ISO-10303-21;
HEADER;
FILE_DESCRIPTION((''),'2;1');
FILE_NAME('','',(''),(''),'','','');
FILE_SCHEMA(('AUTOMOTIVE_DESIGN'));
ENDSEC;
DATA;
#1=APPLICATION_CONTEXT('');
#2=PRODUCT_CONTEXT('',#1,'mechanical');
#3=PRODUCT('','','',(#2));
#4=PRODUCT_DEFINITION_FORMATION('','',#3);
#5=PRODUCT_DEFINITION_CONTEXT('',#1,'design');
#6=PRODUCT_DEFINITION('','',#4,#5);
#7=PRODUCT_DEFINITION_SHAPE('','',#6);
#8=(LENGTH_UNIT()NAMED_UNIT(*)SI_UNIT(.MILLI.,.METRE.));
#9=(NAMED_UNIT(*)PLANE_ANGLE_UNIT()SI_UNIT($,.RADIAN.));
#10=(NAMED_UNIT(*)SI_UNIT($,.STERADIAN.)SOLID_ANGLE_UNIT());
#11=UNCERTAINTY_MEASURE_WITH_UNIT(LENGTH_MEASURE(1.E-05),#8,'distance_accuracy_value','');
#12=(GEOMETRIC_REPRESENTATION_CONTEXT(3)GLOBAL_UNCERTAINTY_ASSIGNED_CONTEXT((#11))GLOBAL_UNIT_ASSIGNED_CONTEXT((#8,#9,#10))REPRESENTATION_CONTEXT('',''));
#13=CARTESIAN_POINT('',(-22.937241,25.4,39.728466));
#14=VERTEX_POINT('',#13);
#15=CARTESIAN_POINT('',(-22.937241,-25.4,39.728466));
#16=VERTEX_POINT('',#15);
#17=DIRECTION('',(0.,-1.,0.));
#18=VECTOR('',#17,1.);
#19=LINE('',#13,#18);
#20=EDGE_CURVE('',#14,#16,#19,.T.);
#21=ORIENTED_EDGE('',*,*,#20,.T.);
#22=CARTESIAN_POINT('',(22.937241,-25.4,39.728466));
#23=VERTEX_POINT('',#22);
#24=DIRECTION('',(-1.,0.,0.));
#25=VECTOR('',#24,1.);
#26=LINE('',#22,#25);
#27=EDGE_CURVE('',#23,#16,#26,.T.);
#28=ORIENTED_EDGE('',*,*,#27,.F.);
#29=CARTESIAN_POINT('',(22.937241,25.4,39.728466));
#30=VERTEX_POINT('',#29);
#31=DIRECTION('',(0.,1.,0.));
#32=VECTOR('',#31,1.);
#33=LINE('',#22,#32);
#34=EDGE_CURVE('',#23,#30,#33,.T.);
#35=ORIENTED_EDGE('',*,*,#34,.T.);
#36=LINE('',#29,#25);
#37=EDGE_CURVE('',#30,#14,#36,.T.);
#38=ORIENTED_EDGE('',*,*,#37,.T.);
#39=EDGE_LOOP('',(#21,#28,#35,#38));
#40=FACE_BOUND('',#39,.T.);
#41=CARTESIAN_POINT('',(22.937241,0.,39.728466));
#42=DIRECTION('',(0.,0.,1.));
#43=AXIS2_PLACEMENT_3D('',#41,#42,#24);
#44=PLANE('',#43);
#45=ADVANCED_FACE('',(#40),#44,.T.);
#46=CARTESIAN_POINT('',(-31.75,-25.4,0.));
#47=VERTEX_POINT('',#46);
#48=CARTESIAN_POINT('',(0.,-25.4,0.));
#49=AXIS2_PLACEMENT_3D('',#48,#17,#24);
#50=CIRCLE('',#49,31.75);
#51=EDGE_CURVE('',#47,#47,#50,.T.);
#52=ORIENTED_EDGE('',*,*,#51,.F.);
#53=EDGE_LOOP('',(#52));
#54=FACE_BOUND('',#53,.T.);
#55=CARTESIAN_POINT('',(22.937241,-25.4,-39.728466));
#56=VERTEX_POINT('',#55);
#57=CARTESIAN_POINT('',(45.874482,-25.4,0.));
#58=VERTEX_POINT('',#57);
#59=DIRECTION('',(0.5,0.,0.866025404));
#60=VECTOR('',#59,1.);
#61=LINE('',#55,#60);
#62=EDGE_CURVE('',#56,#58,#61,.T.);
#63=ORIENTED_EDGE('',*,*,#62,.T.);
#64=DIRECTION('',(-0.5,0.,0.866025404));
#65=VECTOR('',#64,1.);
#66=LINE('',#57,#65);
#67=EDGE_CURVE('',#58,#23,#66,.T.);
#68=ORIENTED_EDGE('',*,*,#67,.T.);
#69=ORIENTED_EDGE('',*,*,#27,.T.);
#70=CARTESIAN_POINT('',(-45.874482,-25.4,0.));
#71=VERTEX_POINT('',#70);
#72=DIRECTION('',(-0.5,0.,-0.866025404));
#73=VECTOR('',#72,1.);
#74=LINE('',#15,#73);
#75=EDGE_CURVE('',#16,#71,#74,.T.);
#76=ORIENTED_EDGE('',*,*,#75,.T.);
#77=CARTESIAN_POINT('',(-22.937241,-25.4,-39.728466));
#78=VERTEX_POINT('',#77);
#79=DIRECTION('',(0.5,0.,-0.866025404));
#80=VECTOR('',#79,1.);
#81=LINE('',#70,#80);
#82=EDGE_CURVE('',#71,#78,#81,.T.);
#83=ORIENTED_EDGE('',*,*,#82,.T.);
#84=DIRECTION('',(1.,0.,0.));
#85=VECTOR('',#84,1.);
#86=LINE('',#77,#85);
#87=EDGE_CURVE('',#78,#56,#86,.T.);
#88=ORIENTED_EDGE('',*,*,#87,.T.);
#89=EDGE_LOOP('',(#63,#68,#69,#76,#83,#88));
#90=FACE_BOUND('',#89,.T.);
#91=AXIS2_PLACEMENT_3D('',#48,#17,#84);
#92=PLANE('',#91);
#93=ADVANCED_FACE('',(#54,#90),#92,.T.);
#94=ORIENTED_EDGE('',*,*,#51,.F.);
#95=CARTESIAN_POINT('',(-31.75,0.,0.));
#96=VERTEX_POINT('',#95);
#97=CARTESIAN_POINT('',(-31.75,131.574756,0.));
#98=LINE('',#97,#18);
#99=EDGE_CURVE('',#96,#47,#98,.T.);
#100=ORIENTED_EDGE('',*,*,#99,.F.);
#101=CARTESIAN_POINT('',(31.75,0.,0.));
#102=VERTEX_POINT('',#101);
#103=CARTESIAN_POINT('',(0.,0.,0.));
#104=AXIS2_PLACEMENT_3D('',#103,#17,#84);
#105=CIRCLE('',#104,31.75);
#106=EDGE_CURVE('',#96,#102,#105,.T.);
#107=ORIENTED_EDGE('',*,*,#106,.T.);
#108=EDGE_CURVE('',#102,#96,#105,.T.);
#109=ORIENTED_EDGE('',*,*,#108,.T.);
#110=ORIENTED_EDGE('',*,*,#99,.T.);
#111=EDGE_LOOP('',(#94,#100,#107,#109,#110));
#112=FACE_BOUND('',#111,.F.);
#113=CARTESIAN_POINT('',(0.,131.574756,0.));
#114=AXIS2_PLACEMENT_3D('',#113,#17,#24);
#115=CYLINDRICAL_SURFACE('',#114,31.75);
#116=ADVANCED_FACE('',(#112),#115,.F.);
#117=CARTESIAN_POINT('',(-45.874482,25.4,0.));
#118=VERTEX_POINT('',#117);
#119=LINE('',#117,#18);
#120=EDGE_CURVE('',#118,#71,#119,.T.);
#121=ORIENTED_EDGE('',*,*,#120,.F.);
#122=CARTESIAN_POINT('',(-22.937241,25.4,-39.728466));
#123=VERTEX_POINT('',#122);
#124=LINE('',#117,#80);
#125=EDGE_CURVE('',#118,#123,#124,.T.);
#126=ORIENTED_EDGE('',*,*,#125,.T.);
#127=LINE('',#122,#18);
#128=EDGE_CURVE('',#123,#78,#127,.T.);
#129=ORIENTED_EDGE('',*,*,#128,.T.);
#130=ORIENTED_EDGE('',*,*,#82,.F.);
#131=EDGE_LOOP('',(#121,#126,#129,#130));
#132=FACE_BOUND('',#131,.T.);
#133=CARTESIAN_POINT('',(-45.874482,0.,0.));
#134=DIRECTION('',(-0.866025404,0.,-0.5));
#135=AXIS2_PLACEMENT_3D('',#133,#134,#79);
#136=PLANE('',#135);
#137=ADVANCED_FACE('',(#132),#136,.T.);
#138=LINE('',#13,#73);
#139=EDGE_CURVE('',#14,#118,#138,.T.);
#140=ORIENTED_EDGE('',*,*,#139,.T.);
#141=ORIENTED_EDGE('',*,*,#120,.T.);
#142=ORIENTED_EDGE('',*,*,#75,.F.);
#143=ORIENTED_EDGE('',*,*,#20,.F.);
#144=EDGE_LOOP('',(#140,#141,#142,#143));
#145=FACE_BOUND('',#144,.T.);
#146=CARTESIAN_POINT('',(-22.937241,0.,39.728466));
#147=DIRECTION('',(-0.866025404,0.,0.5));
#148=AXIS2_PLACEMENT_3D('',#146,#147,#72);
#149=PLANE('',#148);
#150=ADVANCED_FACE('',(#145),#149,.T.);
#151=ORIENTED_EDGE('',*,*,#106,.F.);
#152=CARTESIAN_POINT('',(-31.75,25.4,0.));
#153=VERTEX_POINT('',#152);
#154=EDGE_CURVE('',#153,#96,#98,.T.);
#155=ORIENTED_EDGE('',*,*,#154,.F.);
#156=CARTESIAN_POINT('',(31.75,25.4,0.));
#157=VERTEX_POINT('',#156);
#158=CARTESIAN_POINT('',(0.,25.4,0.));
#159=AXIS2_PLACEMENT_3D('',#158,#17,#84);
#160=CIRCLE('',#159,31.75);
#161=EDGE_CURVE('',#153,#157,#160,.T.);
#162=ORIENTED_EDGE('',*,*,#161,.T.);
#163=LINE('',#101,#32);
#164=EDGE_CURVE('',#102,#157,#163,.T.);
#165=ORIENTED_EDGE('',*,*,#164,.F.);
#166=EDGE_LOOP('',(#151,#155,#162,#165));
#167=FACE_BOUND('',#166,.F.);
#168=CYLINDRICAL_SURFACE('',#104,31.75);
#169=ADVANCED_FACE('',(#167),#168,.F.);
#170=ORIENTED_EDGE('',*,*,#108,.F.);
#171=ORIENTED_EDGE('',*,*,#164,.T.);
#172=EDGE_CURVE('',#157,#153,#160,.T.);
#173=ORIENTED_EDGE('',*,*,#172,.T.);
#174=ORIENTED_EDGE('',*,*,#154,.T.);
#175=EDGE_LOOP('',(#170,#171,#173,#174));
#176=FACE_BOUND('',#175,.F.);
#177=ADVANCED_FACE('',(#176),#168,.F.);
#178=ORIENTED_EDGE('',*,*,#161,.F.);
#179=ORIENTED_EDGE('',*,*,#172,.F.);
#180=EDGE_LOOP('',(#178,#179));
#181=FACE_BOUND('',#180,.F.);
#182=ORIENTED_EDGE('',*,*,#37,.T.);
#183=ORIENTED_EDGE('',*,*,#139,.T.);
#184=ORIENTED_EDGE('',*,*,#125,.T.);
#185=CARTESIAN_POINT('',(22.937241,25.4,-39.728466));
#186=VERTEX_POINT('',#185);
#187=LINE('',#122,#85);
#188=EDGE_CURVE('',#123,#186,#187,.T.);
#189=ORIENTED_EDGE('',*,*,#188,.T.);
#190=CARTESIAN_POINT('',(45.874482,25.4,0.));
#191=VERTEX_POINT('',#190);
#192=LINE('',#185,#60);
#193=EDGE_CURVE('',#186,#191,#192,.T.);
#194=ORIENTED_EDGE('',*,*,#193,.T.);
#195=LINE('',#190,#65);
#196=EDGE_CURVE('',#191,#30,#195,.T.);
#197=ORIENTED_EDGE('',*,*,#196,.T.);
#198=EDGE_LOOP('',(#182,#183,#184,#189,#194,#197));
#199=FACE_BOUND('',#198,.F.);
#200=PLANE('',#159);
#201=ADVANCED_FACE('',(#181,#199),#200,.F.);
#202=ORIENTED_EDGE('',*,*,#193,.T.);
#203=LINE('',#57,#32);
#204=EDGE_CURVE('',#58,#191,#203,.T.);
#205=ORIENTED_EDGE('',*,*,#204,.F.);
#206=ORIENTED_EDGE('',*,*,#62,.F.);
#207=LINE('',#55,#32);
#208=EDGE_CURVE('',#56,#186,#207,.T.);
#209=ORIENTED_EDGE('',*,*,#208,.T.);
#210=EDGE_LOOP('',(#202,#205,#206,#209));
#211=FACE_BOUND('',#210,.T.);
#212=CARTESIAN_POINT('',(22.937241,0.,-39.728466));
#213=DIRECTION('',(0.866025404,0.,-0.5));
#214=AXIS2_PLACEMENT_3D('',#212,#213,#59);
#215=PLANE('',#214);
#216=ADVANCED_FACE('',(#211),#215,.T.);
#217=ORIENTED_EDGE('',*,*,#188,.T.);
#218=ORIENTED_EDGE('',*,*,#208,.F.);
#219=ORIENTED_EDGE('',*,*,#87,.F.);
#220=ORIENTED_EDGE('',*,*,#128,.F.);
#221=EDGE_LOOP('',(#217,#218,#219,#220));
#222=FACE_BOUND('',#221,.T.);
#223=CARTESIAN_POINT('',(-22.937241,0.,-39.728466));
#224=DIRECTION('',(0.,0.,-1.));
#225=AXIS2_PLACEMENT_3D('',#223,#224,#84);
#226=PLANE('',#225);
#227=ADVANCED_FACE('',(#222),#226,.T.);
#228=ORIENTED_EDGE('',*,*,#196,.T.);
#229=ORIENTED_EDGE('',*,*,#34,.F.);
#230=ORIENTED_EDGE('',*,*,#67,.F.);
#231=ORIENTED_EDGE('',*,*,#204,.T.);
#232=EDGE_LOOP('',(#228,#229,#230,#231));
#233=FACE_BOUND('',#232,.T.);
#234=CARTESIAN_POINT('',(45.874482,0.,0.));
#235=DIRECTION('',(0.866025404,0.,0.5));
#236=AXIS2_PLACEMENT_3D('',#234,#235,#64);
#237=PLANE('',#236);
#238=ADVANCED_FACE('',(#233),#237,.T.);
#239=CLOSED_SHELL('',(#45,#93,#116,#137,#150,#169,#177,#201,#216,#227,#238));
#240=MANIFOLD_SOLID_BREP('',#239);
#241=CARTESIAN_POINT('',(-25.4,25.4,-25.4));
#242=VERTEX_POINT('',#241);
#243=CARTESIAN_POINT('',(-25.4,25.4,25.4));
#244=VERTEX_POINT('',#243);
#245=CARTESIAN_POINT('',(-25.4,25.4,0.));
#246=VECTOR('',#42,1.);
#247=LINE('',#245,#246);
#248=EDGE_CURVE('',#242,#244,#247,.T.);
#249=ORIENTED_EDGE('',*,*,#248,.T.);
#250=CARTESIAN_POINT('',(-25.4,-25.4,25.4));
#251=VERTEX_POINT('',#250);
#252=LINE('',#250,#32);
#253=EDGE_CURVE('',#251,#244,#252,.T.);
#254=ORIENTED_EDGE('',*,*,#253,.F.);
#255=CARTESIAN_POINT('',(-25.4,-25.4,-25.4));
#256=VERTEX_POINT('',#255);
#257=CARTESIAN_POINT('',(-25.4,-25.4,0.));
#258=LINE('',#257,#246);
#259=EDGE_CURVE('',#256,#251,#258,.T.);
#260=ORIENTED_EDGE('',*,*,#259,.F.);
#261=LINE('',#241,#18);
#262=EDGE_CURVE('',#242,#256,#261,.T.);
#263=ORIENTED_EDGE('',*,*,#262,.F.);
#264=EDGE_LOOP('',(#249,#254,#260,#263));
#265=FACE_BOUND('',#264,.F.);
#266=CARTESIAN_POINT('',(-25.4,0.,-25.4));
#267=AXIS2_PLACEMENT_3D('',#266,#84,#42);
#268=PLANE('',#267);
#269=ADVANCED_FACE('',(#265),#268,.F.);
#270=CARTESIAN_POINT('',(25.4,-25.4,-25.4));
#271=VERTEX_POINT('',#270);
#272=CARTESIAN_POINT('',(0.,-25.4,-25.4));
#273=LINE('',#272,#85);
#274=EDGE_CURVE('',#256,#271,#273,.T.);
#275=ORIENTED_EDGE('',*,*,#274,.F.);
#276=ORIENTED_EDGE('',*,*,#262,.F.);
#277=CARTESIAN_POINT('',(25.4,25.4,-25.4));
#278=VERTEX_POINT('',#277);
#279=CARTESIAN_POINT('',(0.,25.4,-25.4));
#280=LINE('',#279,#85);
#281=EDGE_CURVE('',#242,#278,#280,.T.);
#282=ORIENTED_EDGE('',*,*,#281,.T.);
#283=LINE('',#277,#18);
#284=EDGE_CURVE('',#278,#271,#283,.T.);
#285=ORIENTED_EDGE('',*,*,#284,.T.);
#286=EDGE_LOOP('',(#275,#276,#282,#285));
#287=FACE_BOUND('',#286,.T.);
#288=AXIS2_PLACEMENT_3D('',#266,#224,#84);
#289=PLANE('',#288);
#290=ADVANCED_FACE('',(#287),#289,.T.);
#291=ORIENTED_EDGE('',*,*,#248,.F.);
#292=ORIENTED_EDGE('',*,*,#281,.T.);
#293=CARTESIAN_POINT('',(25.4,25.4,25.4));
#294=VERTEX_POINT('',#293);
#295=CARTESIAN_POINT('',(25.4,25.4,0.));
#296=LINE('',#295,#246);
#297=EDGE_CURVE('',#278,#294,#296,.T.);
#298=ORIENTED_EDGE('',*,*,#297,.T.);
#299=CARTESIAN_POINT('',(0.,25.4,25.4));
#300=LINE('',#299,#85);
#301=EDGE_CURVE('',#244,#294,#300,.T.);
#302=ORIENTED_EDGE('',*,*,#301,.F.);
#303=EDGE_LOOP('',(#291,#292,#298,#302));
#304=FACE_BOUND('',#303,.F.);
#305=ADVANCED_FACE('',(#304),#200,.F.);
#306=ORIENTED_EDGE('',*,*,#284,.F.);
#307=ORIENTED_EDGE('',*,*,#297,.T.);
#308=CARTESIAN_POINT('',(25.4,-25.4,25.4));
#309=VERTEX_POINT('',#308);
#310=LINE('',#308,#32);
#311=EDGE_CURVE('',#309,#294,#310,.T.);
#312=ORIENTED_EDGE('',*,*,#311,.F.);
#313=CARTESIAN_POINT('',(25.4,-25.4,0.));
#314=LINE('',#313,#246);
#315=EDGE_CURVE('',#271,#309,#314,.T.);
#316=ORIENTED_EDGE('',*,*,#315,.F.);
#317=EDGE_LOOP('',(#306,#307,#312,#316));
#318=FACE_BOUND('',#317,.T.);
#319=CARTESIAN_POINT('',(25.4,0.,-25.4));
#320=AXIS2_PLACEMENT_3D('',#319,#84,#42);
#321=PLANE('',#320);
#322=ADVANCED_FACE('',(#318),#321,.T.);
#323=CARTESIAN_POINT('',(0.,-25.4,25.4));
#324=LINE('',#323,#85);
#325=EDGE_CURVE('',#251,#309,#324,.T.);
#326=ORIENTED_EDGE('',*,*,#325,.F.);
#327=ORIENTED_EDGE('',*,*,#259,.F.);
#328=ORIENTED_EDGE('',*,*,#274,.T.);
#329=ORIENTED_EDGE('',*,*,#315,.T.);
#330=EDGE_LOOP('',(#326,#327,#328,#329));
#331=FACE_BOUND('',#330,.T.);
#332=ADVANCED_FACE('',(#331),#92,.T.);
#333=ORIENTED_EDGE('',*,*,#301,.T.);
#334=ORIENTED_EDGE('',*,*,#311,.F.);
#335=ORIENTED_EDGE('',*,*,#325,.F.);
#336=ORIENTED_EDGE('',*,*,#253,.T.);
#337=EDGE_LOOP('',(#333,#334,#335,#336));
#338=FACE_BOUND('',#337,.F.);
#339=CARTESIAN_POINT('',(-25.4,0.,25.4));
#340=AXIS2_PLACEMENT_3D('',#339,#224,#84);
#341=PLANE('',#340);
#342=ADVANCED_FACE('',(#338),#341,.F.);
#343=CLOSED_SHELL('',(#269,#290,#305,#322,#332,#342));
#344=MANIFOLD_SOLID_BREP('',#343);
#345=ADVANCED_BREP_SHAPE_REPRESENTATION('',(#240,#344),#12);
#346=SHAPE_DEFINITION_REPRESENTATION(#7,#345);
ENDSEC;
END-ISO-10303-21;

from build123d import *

# Parameters (mm, degrees)
F2_DEPTH = 25.4
F1_W     = 50.8
F1_H     = 50.8
F3_DEPTH = 25.4
F4_D     = 63.5
F4_DEPTH = 25.401
F5_D     = 63.5


with BuildPart() as f2:
    # F0 (on Front) → F2 (new body, symmetric)
    with BuildSketch(Plane.XZ):
        Polygon((22.9372407829, 39.7284664214), (-22.9372407829, 39.7284664214), (-45.8744815657, 0), (-22.9372407829, -39.7284664214), (22.9372407829, -39.7284664214), (45.8744815657, 0), align=None)
    extrude(amount=F2_DEPTH, both=True)

    # F4 (through all, one way)
    with BuildSketch(Plane.XZ):
        with Locations((0, 0)):
            Circle(F4_D / 2)
    extrude(amount=-F4_DEPTH, mode=Mode.SUBTRACT)

    # F5 (through all)
    with Locations(Plane(origin=(0, 0, 0), x_dir=(1, 0, 0), z_dir=(0, 1, 0))):
        with Locations((0, 0)):
            Hole(F5_D / 2)


with BuildPart() as f3:
    # F1 (on Front) → F3 (new body, symmetric)
    with BuildSketch(Plane.XZ):
        Rectangle(F1_W, F1_H)
    extrude(amount=F3_DEPTH, both=True)


solid = Compound([f2.part, f3.part])
